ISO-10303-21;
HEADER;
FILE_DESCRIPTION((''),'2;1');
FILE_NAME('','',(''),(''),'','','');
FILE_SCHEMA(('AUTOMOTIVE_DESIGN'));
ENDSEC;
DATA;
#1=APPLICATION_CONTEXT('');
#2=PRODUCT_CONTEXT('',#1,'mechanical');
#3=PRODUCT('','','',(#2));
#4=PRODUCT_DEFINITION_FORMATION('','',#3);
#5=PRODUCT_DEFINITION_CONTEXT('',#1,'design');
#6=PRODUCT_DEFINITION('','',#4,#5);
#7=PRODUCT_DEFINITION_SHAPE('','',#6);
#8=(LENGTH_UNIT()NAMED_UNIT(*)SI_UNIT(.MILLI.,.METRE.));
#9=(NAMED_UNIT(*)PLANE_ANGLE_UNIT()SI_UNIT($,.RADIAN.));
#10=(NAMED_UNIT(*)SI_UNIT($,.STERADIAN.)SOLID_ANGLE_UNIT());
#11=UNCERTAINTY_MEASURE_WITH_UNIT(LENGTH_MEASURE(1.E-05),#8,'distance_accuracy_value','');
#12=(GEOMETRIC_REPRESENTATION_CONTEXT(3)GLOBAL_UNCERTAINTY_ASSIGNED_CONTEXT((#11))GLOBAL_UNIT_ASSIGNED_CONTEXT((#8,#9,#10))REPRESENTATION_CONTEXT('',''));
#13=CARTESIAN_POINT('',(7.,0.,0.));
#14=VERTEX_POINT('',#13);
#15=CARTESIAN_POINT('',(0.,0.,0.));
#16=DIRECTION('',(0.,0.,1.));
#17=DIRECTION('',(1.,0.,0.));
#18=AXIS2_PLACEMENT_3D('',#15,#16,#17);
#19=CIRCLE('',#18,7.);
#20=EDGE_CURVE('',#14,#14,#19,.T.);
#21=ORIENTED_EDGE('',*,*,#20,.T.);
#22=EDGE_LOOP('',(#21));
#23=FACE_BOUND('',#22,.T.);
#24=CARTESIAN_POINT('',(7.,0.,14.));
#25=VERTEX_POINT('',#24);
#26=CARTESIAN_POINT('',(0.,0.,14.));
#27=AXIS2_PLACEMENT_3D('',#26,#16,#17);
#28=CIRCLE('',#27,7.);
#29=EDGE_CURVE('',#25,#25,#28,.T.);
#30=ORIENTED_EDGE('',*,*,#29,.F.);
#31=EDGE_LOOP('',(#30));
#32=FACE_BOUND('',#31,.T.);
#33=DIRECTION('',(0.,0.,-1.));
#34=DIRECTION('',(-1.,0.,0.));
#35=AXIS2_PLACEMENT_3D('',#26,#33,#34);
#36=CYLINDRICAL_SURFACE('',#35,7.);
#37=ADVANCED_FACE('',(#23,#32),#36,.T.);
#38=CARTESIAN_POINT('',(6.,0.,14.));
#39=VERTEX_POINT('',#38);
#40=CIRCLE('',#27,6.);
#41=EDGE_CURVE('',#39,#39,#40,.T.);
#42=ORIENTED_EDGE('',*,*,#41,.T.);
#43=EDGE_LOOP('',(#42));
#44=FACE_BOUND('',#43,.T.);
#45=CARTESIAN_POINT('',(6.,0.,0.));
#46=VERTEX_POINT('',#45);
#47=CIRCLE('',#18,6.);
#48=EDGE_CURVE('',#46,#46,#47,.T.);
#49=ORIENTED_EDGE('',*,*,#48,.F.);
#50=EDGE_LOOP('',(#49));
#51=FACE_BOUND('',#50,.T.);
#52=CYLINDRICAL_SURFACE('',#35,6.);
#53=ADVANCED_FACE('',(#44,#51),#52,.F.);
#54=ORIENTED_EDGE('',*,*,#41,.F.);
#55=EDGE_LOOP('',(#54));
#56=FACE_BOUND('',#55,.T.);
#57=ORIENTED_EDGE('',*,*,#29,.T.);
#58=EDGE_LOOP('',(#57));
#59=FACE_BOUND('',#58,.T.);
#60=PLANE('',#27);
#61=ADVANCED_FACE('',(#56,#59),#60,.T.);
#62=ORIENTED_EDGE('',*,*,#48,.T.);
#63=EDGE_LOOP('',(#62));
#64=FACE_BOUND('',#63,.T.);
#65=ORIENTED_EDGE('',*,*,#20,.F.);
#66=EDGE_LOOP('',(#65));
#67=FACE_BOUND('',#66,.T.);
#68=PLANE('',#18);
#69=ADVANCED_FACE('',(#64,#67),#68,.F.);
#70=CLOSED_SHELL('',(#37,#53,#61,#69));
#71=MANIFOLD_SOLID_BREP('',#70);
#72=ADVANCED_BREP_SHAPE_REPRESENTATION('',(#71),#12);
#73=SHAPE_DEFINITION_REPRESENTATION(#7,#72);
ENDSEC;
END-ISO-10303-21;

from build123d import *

# Parameters (mm, degrees)
SKETCH1_R           = 7
SKETCH1_R_2         = 6
BOSS_EXTRUDE1_DEPTH = 14


with BuildPart() as part:
    # Sketch1 → Boss-Extrude1 (new body)
    with BuildSketch(Plane.XY):
        Circle(SKETCH1_R)
        Circle(SKETCH1_R_2, mode=Mode.SUBTRACT)
    extrude(amount=BOSS_EXTRUDE1_DEPTH)


solid = part.part
